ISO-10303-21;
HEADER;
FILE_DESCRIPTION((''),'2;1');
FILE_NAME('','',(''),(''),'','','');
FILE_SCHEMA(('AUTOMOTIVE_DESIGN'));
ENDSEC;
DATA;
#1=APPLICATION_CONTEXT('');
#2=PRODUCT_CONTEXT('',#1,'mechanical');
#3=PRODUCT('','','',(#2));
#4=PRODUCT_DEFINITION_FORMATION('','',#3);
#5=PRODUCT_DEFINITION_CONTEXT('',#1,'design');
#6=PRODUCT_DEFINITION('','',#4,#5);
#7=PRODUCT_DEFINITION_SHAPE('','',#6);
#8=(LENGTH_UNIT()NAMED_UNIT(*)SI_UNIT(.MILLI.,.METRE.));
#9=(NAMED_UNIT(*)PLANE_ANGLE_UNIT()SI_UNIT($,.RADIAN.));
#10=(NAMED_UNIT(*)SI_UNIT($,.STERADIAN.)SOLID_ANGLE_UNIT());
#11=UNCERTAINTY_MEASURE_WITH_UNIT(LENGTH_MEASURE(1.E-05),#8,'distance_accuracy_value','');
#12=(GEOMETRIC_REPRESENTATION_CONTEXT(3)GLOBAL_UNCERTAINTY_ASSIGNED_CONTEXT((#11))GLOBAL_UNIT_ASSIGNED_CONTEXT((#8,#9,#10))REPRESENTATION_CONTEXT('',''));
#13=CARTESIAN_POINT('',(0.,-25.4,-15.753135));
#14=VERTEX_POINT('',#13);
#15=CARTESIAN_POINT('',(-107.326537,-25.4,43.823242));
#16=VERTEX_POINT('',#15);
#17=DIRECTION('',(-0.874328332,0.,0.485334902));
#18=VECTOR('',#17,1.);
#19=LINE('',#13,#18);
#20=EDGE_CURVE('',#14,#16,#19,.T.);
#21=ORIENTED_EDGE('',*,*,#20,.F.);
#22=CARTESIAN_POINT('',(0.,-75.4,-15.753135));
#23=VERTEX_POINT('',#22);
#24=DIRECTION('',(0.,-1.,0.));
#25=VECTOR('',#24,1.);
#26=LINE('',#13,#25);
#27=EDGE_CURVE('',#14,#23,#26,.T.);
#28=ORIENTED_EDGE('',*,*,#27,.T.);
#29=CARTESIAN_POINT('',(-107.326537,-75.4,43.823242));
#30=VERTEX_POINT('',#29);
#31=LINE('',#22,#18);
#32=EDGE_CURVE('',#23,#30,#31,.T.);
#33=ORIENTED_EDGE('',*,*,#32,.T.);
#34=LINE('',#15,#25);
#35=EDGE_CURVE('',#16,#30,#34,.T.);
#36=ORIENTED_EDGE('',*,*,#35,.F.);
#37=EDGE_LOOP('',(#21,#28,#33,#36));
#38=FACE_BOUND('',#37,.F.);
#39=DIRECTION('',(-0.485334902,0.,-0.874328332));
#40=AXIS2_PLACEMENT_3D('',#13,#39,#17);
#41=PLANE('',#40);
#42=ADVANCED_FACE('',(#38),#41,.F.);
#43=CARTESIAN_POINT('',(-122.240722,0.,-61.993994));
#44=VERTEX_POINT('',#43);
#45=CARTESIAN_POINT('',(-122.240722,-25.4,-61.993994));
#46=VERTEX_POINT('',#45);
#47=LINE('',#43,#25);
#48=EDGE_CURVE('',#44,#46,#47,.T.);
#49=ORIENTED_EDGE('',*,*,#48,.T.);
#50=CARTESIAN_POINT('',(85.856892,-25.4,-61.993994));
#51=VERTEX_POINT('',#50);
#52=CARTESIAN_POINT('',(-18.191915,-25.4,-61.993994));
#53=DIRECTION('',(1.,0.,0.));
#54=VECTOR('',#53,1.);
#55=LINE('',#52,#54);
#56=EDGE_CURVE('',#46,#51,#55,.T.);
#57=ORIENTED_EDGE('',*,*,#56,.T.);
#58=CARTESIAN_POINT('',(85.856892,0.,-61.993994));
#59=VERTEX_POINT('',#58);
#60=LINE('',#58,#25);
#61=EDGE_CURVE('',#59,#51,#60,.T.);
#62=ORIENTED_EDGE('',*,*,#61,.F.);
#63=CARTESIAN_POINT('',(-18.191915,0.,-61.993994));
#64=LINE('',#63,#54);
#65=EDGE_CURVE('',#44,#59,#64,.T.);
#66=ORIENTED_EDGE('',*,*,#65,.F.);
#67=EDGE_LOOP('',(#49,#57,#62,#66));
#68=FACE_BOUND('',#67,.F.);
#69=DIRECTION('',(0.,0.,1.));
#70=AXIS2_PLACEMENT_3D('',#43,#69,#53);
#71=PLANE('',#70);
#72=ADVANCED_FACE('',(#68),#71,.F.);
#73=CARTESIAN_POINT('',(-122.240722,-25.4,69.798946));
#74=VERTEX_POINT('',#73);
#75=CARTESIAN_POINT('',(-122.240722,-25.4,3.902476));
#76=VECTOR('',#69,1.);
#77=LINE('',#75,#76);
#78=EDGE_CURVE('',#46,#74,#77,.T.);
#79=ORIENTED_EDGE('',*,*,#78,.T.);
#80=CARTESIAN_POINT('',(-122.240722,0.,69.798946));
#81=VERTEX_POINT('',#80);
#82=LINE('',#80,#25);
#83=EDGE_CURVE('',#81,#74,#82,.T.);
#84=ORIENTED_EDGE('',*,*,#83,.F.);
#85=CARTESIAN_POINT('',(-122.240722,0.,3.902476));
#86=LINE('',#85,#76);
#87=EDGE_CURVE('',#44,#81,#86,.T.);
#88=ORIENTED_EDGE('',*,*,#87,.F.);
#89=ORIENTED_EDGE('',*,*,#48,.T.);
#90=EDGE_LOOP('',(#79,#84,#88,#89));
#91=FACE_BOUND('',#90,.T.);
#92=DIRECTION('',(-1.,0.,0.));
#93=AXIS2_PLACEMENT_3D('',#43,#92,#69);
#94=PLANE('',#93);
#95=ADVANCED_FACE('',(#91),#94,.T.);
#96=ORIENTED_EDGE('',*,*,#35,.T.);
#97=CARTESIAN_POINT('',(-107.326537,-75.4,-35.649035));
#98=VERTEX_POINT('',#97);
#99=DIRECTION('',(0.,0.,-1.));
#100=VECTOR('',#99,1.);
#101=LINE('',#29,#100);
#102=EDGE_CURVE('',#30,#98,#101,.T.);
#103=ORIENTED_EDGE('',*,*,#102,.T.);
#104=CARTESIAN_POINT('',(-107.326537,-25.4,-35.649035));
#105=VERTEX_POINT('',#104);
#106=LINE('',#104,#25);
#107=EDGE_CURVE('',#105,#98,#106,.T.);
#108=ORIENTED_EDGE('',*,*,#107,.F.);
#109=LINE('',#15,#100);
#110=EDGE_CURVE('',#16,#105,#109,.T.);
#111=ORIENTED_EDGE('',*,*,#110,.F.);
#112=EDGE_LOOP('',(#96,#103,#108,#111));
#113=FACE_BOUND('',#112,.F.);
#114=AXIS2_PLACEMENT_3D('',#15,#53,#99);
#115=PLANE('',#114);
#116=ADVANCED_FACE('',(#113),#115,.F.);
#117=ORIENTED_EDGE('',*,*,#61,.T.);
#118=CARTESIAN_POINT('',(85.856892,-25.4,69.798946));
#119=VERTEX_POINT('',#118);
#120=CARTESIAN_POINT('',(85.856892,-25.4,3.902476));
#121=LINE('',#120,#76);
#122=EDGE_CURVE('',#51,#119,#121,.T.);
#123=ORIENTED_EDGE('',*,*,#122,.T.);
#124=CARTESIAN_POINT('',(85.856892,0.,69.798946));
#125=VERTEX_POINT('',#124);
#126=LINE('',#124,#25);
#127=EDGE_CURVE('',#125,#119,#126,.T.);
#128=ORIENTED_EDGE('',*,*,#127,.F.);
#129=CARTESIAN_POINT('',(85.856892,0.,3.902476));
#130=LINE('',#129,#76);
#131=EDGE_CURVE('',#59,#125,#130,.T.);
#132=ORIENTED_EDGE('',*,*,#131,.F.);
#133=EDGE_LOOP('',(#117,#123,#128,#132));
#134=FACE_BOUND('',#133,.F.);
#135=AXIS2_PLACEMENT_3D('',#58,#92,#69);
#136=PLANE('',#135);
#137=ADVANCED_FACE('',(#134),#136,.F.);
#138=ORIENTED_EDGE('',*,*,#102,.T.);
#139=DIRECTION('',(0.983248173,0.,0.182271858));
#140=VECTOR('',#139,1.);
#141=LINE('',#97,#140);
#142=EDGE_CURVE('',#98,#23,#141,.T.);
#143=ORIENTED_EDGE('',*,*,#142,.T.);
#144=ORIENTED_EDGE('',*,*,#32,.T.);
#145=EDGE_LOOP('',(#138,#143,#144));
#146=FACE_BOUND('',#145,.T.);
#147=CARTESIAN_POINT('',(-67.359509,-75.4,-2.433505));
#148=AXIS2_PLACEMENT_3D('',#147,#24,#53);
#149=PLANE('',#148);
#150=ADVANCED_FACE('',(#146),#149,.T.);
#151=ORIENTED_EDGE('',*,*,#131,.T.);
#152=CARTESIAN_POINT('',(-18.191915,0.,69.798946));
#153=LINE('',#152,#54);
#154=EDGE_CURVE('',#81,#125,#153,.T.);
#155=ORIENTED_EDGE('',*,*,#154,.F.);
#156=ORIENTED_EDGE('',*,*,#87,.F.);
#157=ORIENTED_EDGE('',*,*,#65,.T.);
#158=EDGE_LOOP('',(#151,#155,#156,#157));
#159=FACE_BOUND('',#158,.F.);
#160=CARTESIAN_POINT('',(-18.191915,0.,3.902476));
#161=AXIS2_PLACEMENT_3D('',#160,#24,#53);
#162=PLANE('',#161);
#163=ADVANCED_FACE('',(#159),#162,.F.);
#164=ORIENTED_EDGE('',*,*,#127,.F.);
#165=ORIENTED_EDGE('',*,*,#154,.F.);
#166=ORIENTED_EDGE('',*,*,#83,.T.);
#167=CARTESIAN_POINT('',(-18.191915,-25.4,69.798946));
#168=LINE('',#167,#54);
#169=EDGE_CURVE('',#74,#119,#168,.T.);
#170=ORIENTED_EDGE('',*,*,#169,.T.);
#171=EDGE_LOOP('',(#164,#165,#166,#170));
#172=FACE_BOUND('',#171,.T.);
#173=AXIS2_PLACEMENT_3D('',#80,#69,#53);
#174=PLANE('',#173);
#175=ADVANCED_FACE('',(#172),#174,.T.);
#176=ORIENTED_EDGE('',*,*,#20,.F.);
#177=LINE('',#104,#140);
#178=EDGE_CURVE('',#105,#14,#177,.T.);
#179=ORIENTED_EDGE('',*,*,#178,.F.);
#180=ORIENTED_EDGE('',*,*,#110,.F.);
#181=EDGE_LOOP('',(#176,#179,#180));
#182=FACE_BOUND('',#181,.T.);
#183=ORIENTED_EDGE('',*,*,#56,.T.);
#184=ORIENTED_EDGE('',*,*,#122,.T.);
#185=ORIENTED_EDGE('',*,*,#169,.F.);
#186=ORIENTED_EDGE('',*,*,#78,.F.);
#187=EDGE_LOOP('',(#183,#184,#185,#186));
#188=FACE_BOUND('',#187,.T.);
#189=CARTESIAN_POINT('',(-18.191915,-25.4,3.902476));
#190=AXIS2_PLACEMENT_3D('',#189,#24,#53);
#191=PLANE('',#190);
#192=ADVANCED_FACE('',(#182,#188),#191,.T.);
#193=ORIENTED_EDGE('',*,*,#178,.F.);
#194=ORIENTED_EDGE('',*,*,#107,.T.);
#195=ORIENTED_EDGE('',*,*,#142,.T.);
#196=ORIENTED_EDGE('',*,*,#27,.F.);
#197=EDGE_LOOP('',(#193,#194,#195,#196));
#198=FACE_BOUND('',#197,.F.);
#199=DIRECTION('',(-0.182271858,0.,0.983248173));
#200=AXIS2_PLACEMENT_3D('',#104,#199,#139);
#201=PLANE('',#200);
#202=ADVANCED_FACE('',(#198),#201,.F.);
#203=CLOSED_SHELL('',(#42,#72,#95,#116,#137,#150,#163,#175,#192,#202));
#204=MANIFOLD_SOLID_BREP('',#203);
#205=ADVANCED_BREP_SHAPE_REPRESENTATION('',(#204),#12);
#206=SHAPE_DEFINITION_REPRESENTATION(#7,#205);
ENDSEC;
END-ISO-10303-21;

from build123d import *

# Parameters (mm, degrees)
F0_W     = 208.097614
F0_H     = 131.79294
F1_DEPTH = 25.4
F4_DEPTH = 50


with BuildPart() as f1:
    # F0 (on Front) → F1 (new body)
    with BuildSketch(Plane.XZ):
        with Locations((-18.191915, 3.902476)):
            Rectangle(F0_W, F0_H)
    extrude(amount=F1_DEPTH)

    # F3 (on face) → F4 (join)
    with BuildSketch(Plane.XZ.offset(25.4)):
        Polygon((-107.326537, -35.649035), (0, -15.753135), (-107.326537, 43.823242), align=None)
    extrude(amount=F4_DEPTH)


solid = f1.part
